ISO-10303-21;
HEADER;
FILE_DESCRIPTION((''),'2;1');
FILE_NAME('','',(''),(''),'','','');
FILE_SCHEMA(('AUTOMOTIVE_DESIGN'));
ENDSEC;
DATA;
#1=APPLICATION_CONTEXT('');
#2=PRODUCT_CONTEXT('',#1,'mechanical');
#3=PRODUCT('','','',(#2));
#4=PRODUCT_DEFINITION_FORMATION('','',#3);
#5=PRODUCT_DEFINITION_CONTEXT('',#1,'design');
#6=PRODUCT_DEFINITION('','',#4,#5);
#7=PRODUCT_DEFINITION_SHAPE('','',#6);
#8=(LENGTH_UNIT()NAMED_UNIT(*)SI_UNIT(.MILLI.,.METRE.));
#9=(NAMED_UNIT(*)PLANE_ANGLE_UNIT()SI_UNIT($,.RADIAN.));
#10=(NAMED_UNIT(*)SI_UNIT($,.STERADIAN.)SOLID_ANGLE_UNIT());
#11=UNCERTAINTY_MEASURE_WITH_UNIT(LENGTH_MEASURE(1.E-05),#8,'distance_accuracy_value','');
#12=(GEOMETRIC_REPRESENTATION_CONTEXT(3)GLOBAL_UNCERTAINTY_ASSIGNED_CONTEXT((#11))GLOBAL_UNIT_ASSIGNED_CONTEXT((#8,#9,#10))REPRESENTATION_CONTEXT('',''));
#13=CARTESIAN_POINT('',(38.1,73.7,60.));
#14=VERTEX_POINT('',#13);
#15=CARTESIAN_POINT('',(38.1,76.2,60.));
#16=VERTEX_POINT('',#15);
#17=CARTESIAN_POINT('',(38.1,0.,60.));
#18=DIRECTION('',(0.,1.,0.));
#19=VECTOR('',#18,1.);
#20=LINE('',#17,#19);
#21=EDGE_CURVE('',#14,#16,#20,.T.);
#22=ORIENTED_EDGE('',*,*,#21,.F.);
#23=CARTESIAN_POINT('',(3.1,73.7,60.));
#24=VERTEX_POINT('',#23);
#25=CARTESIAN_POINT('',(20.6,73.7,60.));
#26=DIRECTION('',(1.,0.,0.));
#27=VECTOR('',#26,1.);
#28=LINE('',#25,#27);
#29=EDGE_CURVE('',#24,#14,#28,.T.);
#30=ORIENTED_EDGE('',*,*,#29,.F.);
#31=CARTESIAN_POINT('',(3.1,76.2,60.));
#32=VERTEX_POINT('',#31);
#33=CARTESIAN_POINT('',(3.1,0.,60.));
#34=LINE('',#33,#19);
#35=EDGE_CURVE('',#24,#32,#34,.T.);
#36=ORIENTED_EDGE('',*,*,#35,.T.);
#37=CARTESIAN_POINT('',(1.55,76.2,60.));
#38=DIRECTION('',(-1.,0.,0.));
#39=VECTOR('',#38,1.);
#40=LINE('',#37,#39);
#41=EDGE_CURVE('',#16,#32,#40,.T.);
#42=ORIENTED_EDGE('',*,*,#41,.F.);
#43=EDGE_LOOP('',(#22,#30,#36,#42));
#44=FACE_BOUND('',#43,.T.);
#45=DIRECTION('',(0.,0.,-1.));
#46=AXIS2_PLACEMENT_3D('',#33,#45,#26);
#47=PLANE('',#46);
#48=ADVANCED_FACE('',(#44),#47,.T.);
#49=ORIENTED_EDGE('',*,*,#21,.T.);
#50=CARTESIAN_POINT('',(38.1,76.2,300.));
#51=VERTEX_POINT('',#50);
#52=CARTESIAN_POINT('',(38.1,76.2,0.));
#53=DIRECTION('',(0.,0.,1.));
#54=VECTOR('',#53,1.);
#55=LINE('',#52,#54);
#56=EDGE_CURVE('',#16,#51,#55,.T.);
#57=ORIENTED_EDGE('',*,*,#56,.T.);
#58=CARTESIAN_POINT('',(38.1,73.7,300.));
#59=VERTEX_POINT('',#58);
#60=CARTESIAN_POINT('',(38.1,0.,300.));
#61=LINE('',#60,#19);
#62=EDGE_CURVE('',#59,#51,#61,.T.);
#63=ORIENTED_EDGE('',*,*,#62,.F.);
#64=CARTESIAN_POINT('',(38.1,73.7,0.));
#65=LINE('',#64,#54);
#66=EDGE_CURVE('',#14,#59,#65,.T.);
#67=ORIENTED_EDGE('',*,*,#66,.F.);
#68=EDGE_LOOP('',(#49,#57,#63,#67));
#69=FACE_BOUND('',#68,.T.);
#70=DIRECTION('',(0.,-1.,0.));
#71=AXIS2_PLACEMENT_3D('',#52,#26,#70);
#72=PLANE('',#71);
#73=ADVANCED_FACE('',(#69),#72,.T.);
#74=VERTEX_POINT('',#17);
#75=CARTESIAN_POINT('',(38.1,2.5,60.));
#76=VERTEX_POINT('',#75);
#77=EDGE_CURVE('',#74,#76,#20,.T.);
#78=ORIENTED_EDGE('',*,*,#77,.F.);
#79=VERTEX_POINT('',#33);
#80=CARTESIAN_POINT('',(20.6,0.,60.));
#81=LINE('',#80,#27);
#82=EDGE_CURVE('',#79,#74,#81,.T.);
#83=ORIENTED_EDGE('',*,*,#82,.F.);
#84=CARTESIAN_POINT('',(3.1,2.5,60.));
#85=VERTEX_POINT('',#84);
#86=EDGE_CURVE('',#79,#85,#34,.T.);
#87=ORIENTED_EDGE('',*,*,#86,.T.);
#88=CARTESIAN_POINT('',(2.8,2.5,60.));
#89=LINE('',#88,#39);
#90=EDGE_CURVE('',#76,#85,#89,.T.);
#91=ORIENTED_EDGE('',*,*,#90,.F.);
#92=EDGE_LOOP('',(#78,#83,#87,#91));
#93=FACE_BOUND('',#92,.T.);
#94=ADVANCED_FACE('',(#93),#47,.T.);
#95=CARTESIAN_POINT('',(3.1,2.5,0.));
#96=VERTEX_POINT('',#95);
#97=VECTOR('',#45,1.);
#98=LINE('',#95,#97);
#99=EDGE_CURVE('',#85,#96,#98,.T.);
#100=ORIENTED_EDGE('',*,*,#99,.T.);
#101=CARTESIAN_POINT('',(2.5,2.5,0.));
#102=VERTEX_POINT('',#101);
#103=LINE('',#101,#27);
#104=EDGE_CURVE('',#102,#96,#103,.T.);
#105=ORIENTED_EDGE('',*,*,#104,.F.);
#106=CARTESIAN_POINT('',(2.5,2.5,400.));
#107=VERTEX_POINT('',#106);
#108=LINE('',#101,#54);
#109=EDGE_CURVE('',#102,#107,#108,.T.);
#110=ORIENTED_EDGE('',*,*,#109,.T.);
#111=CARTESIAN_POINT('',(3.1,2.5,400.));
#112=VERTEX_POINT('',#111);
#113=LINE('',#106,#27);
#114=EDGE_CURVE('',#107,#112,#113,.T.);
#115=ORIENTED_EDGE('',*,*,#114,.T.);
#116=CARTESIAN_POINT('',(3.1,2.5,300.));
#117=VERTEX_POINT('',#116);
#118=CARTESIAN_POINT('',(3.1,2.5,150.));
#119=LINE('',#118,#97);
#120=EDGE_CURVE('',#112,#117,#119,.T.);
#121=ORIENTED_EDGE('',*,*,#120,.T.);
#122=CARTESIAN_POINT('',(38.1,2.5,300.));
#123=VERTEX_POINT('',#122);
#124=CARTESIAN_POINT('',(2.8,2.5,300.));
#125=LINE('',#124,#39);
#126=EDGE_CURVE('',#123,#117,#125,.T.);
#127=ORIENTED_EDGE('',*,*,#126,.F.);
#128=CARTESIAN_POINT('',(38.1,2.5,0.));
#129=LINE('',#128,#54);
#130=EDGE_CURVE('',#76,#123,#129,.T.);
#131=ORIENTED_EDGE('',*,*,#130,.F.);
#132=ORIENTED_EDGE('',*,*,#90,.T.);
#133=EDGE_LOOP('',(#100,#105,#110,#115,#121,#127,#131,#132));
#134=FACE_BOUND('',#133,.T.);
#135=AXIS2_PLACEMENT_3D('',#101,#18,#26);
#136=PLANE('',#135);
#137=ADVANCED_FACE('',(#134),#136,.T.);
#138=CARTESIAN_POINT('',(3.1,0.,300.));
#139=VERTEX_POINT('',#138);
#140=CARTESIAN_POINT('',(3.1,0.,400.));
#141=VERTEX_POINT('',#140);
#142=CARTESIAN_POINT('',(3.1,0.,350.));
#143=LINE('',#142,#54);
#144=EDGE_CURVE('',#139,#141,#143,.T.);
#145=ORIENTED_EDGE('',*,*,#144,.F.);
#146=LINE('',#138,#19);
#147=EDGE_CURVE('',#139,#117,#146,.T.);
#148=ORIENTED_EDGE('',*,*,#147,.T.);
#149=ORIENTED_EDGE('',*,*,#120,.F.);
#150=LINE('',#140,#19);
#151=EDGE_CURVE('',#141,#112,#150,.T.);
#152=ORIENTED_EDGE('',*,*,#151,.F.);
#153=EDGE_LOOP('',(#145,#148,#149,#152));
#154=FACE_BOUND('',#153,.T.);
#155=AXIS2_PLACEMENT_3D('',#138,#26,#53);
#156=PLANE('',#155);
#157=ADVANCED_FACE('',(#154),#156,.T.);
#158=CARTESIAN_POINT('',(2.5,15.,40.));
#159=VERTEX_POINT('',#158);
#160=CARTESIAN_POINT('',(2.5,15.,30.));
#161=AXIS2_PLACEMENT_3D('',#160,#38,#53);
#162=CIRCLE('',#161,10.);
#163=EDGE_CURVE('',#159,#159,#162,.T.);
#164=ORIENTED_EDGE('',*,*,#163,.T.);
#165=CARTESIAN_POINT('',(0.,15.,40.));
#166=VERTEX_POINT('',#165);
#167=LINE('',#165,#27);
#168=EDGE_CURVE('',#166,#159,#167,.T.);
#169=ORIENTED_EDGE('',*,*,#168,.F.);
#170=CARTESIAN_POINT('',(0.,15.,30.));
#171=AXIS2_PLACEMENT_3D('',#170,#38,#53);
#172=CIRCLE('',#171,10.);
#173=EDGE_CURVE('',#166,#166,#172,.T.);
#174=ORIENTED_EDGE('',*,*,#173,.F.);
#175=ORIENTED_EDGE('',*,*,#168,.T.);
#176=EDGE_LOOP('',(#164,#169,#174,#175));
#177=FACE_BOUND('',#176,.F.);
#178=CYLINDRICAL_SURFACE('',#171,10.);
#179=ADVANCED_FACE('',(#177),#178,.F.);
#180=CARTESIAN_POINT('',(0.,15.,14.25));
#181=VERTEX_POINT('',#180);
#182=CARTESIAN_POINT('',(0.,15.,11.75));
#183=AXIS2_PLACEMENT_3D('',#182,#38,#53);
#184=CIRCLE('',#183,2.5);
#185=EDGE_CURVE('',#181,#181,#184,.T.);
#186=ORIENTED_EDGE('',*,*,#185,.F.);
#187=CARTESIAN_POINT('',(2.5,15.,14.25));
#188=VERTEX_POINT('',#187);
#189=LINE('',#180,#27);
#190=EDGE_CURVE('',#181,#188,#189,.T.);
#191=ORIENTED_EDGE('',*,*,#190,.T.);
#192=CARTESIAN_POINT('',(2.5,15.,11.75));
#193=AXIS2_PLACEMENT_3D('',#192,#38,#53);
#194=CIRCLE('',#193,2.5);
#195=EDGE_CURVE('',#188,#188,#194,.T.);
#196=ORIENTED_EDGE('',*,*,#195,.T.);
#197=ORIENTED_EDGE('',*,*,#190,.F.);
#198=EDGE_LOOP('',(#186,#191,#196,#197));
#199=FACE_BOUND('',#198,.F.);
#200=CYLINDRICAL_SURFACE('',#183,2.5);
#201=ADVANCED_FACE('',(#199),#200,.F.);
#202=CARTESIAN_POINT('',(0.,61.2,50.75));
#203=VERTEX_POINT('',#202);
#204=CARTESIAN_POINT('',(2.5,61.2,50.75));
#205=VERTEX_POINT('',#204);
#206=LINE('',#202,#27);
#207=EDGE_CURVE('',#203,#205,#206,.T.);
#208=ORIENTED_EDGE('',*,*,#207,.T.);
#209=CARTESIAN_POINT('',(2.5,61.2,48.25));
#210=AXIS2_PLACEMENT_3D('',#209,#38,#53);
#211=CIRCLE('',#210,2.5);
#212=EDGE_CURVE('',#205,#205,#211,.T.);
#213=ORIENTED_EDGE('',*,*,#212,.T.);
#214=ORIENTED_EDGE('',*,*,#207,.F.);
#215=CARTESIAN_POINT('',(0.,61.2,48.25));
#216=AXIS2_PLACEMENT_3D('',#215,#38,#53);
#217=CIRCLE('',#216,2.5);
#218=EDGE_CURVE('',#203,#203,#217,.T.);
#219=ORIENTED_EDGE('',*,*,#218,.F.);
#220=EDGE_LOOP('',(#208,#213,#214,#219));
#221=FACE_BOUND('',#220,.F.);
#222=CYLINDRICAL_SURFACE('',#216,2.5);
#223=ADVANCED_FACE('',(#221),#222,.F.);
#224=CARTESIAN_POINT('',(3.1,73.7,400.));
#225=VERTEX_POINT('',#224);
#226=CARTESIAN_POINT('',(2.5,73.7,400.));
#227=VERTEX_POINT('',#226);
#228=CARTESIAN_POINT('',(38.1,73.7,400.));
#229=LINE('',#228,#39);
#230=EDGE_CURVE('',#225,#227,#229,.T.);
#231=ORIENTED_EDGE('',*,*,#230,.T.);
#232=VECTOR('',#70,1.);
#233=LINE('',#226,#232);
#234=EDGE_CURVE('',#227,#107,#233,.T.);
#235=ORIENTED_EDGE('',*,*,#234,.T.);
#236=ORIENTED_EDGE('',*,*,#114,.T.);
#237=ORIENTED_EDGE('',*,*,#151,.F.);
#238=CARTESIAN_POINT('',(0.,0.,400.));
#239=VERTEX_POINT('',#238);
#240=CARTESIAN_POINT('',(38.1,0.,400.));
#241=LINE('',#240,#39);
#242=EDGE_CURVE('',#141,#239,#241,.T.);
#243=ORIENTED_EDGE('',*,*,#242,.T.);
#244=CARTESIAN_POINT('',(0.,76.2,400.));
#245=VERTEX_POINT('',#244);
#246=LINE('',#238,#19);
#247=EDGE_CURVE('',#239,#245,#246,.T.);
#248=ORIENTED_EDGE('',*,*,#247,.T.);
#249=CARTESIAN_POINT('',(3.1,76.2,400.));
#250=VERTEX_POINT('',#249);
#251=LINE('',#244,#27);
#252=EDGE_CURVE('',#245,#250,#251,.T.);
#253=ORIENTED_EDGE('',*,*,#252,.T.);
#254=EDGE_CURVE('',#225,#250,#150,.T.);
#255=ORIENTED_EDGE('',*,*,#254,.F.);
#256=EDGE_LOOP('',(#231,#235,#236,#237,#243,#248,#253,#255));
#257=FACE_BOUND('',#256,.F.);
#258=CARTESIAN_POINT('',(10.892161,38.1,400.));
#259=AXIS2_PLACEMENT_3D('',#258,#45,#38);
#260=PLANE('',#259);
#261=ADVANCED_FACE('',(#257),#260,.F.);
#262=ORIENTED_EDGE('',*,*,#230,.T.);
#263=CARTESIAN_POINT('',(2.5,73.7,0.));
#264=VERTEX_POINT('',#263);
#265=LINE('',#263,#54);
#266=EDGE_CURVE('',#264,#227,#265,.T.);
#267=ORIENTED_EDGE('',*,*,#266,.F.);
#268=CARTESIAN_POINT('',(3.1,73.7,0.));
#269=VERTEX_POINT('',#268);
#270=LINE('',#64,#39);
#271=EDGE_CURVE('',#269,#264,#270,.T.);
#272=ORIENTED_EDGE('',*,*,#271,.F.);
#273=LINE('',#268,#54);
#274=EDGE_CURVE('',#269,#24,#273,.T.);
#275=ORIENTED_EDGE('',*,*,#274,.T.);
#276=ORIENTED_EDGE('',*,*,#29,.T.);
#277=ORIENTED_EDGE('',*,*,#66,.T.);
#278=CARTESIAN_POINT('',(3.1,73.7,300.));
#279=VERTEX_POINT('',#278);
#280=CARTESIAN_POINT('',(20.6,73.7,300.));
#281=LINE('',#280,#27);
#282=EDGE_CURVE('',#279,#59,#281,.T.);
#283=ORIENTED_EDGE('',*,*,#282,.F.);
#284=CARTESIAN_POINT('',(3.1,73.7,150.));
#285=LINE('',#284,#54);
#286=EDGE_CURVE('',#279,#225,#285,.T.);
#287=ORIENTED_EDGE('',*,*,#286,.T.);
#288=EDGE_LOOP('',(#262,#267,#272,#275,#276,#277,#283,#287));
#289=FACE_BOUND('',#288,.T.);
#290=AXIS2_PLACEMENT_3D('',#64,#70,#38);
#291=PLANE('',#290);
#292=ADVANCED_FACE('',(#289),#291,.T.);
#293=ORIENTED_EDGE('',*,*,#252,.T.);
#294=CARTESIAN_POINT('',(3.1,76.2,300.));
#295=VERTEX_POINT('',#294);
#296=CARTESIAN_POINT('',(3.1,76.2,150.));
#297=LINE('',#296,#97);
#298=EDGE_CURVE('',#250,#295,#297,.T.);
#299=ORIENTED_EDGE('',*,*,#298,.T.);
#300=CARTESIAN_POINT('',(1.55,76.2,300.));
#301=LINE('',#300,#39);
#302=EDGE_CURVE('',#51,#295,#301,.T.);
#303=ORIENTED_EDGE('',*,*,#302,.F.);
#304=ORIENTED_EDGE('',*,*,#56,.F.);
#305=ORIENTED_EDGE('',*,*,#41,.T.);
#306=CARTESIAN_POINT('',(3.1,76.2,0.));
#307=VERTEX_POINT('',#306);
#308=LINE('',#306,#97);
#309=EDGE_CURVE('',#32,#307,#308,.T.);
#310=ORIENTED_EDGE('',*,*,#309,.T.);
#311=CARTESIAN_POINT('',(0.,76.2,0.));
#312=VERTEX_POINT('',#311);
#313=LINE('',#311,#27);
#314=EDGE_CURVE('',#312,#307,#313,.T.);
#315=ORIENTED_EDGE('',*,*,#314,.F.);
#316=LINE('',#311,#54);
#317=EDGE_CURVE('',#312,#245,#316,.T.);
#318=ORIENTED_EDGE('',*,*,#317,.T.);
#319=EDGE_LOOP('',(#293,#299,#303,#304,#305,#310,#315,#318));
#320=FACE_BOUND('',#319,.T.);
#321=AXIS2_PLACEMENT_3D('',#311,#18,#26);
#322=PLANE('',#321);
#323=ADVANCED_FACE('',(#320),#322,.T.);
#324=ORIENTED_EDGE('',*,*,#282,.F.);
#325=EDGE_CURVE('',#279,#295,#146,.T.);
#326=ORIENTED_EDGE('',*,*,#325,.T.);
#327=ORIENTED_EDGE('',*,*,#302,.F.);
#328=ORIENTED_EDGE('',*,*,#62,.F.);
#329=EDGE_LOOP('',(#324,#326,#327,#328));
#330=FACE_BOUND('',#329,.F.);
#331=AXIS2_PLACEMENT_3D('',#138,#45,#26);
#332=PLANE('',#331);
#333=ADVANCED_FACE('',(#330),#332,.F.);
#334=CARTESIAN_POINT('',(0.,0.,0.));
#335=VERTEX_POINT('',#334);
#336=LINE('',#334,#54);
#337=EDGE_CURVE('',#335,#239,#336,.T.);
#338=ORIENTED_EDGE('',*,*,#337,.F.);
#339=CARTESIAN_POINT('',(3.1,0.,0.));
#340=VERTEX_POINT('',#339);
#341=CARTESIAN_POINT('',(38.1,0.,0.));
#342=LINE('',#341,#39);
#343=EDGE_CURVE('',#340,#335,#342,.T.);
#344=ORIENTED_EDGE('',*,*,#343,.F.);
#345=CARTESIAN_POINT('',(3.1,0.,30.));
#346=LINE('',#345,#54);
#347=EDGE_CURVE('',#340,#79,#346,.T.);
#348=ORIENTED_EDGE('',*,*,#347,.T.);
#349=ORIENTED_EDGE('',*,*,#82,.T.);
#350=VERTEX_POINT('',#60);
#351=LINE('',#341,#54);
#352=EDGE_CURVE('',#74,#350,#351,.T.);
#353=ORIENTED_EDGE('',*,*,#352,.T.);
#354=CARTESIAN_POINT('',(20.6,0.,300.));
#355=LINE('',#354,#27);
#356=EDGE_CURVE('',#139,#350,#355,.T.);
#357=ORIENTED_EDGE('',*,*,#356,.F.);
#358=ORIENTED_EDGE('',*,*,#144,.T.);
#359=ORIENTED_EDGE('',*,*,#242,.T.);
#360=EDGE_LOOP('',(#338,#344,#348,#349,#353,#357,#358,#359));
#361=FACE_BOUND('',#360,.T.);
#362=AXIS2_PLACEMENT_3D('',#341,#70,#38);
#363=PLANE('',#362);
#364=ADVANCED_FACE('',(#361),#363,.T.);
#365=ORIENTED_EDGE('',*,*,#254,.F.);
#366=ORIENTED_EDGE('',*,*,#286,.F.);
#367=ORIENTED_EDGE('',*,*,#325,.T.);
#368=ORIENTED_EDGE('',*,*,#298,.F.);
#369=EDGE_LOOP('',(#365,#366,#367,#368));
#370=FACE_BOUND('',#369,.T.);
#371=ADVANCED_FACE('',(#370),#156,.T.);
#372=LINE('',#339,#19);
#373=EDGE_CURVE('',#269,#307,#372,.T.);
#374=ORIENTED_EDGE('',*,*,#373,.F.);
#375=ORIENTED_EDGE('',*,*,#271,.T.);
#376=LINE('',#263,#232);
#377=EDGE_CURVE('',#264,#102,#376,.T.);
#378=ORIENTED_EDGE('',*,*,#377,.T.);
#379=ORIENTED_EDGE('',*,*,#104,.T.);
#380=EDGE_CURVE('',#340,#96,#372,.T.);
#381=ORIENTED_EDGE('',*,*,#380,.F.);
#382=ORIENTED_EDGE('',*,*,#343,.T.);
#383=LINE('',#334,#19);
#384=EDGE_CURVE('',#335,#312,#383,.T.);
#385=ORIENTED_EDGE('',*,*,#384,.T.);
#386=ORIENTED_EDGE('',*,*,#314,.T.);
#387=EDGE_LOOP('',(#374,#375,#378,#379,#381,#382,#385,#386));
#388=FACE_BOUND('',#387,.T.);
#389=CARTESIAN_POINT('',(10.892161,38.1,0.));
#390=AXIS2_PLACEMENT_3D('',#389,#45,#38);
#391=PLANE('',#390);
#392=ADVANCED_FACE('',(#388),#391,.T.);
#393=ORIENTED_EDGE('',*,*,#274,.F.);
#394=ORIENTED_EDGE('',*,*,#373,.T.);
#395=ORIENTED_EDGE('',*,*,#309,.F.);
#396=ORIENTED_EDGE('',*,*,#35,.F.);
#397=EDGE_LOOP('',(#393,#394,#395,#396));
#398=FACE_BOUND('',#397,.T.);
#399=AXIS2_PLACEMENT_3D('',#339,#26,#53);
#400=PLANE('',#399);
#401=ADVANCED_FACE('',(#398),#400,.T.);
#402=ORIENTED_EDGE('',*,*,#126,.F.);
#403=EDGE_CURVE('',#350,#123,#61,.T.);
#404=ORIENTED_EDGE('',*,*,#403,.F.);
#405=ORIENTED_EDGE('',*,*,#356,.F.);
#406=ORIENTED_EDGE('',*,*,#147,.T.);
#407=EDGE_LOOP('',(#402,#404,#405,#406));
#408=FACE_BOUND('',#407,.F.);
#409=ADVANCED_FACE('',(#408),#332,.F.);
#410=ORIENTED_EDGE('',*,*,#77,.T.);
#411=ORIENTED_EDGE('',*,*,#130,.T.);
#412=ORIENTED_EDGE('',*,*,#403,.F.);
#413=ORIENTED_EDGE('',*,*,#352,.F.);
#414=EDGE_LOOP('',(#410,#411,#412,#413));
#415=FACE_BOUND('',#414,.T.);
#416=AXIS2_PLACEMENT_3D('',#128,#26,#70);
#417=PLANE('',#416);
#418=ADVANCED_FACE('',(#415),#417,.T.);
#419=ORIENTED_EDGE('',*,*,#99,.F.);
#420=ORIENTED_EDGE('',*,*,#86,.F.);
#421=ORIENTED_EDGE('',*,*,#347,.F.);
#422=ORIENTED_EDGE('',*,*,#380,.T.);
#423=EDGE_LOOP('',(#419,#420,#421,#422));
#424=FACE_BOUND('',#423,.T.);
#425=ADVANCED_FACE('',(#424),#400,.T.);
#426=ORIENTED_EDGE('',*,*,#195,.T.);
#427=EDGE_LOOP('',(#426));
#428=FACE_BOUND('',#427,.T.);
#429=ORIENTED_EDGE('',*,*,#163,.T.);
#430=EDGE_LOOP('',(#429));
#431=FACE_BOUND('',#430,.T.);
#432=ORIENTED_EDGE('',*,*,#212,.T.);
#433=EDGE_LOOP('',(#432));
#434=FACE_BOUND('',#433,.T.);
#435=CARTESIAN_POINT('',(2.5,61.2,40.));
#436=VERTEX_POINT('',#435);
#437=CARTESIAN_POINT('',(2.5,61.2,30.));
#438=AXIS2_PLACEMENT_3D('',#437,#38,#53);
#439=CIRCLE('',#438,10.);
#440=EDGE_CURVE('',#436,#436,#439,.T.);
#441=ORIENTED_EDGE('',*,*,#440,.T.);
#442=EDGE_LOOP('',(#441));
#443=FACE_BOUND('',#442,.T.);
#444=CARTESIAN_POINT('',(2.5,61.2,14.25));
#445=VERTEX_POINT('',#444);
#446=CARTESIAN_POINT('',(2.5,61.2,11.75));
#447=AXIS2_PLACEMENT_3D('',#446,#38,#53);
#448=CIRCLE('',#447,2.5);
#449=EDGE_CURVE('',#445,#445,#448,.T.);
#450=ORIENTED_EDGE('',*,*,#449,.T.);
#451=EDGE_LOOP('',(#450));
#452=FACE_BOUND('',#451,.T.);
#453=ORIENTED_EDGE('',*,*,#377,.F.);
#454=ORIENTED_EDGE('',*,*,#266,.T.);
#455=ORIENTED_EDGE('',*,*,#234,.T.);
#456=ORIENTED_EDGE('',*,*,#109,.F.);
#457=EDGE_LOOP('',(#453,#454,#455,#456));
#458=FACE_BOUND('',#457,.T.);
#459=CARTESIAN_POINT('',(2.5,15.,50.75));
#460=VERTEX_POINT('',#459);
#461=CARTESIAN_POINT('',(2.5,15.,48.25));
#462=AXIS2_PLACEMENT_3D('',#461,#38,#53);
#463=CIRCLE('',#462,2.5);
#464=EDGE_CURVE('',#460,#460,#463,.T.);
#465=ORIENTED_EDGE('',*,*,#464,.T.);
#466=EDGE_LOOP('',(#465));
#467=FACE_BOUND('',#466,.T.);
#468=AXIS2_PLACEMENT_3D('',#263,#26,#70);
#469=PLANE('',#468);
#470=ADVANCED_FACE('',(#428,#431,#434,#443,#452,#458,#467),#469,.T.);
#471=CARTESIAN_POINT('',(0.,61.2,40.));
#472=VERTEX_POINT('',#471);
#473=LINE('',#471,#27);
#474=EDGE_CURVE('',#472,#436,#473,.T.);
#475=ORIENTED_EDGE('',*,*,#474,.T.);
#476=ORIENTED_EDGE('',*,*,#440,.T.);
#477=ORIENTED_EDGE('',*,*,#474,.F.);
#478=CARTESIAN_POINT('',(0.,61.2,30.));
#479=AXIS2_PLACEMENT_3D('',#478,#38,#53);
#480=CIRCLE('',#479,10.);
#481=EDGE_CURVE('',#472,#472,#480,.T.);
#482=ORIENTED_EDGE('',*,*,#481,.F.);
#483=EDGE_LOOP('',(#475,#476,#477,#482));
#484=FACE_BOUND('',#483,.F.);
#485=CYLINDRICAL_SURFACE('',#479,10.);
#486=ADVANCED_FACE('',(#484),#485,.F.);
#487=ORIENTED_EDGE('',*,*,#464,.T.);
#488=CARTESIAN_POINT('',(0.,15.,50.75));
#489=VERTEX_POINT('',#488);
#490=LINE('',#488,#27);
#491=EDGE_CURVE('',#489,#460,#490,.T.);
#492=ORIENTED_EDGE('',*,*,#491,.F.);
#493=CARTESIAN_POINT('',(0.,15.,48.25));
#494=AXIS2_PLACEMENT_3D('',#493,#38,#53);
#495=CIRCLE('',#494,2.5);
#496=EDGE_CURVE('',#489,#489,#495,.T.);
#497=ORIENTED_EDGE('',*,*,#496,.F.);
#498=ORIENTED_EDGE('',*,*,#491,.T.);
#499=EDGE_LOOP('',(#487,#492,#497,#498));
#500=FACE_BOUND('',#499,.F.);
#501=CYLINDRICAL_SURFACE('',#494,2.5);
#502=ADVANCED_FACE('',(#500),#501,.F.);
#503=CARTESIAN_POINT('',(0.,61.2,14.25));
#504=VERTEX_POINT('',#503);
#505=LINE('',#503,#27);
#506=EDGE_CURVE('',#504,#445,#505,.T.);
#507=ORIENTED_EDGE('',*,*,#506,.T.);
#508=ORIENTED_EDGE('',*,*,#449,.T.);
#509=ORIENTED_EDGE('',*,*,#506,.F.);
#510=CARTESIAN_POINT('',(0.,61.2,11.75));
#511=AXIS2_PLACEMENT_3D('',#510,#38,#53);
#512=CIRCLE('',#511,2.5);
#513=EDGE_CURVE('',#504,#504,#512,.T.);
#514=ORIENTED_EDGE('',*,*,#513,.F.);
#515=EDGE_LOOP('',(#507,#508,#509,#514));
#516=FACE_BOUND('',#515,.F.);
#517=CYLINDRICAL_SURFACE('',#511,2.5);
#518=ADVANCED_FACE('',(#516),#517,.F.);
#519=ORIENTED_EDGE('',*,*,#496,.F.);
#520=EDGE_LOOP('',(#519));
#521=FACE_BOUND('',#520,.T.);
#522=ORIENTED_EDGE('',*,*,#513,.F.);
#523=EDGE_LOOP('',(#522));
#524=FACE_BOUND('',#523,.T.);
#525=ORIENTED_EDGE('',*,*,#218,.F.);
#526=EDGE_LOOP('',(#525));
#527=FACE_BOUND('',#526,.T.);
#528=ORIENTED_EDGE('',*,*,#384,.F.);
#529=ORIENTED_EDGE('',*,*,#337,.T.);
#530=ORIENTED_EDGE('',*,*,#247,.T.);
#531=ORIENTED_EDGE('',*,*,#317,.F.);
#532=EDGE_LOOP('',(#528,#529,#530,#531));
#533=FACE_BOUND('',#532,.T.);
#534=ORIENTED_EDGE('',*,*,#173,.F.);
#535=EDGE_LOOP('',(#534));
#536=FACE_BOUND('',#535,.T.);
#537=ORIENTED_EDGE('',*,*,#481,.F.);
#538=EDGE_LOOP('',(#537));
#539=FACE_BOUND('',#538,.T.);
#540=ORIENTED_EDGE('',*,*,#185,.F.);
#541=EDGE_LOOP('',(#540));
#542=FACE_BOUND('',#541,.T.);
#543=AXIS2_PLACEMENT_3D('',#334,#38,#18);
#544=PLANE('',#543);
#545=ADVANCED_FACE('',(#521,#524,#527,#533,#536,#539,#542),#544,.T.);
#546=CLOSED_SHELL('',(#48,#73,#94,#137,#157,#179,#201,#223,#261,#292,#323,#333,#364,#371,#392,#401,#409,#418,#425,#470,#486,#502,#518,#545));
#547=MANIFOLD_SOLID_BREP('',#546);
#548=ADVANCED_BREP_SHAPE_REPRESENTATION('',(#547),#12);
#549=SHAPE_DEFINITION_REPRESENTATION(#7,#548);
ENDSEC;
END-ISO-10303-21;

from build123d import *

# Parameters (mm, degrees)
RESSALTO_EXTRUS_O1_DEPTH = 400
ESBO_O3_R                = 10
ESBO_O3_R_2              = 2.5
CORTE_EXTRUS_O1_DEPTH    = 409.971942803
ESBO_O4_W                = 35
ESBO_O4_H                = 60
ESBO_O4_H_2              = 100
CORTE_EXTRUS_O2_DEPTH    = 409.971942803


with BuildPart() as part:
    # Esboço2 → Ressalto-extrusão1 (new body)
    with BuildSketch(Plane.XY):
        Polygon((0, 0), (0, 76.2), (38.1, 76.2), (38.1, 73.7), (2.5, 73.7), (2.5, 2.5), (38.1, 2.5), (38.1, 0), align=None)
    extrude(amount=RESSALTO_EXTRUS_O1_DEPTH)

    # Esboço3 → Corte-extrusão1 (cut, through all)
    with BuildSketch(Plane.ZY):
        with Locations((30, 15)):
            Circle(ESBO_O3_R)
        with Locations((30, 61.2)):
            Circle(ESBO_O3_R)
        with Locations((11.75, 15)):
            Circle(ESBO_O3_R_2)
        with Locations((48.25, 15)):
            Circle(ESBO_O3_R_2)
        with Locations((48.25, 61.2)):
            Circle(ESBO_O3_R_2)
        with Locations((11.75, 61.2)):
            Circle(ESBO_O3_R_2)
    extrude(amount=-CORTE_EXTRUS_O1_DEPTH, mode=Mode.SUBTRACT)

    # Esboço4 → Corte-extrusão2 (cut, through all)
    with BuildSketch(Plane.XZ):
        with Locations((20.6, 30)):
            Rectangle(ESBO_O4_W, ESBO_O4_H)
        with Locations((20.6, 350)):
            Rectangle(ESBO_O4_W, ESBO_O4_H_2)
    extrude(amount=-CORTE_EXTRUS_O2_DEPTH, mode=Mode.SUBTRACT)


solid = part.part
